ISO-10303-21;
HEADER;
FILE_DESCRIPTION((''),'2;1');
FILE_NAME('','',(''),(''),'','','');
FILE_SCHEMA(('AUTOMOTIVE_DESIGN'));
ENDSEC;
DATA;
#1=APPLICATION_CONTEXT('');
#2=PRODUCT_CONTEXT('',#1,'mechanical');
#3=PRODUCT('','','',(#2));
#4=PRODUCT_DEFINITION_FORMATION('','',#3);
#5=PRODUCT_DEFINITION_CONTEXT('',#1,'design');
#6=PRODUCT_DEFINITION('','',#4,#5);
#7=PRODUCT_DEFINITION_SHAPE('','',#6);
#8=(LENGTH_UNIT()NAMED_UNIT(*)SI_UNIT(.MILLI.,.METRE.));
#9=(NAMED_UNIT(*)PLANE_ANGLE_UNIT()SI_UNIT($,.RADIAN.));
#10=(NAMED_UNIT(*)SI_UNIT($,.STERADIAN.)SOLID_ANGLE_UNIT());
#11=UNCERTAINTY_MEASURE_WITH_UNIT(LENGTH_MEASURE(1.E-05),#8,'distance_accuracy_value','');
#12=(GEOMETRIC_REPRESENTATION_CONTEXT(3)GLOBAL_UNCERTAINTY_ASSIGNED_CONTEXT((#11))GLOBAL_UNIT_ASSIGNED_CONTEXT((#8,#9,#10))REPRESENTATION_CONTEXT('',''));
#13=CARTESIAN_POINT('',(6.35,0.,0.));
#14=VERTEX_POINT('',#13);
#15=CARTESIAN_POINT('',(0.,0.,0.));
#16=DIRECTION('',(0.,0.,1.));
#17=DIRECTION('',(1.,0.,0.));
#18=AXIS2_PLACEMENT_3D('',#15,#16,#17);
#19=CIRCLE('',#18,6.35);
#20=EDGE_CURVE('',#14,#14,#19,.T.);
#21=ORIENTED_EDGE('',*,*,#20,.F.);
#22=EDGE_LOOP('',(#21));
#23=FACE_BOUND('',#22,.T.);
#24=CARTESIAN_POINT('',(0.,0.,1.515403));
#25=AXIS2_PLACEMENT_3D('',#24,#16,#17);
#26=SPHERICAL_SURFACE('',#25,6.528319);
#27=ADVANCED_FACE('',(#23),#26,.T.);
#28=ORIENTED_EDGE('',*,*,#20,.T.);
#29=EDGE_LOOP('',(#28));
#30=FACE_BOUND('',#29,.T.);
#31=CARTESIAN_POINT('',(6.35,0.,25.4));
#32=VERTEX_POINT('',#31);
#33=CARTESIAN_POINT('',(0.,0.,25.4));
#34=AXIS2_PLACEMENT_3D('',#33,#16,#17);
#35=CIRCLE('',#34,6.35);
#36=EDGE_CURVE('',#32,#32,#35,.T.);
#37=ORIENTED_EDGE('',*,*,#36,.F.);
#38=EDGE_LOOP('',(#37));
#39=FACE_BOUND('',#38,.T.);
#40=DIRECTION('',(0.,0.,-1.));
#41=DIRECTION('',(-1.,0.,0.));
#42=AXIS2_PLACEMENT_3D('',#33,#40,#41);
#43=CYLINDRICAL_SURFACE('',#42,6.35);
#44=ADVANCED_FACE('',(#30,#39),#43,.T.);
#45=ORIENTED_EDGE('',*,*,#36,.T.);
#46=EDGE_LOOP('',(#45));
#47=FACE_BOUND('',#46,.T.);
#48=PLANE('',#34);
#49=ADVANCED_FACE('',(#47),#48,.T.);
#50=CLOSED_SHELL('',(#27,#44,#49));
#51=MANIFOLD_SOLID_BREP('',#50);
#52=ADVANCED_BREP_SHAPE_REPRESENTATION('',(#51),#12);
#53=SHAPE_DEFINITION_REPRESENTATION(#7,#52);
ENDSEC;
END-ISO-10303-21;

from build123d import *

# Parameters (mm, degrees)
SKETCH2_R           = 6.35
BOSS_EXTRUDE1_DEPTH = 25.4


with BuildPart() as part:
    # Sketch2 → Boss-Extrude1 (new body)
    with BuildSketch(Plane.XY):
        Circle(SKETCH2_R)
    extrude(amount=BOSS_EXTRUDE1_DEPTH)

    # Sketch7 → Revolve1 (revolve)
    with BuildSketch(Plane(origin=(0, 0, 0), x_dir=(1, 0, 0), z_dir=(0, 1, 0))):
        with BuildLine():
            Line((0, 0), (0, 5.012915966))
            ThreePointArc((0, 5.012915966), (4.045115155, 3.608657037), (6.35, 0))
            Line((6.35, 0), (0, 0))
        make_face()
    revolve(axis=Axis((0, 0, 0), (0, 0, -1)))


solid = part.part
